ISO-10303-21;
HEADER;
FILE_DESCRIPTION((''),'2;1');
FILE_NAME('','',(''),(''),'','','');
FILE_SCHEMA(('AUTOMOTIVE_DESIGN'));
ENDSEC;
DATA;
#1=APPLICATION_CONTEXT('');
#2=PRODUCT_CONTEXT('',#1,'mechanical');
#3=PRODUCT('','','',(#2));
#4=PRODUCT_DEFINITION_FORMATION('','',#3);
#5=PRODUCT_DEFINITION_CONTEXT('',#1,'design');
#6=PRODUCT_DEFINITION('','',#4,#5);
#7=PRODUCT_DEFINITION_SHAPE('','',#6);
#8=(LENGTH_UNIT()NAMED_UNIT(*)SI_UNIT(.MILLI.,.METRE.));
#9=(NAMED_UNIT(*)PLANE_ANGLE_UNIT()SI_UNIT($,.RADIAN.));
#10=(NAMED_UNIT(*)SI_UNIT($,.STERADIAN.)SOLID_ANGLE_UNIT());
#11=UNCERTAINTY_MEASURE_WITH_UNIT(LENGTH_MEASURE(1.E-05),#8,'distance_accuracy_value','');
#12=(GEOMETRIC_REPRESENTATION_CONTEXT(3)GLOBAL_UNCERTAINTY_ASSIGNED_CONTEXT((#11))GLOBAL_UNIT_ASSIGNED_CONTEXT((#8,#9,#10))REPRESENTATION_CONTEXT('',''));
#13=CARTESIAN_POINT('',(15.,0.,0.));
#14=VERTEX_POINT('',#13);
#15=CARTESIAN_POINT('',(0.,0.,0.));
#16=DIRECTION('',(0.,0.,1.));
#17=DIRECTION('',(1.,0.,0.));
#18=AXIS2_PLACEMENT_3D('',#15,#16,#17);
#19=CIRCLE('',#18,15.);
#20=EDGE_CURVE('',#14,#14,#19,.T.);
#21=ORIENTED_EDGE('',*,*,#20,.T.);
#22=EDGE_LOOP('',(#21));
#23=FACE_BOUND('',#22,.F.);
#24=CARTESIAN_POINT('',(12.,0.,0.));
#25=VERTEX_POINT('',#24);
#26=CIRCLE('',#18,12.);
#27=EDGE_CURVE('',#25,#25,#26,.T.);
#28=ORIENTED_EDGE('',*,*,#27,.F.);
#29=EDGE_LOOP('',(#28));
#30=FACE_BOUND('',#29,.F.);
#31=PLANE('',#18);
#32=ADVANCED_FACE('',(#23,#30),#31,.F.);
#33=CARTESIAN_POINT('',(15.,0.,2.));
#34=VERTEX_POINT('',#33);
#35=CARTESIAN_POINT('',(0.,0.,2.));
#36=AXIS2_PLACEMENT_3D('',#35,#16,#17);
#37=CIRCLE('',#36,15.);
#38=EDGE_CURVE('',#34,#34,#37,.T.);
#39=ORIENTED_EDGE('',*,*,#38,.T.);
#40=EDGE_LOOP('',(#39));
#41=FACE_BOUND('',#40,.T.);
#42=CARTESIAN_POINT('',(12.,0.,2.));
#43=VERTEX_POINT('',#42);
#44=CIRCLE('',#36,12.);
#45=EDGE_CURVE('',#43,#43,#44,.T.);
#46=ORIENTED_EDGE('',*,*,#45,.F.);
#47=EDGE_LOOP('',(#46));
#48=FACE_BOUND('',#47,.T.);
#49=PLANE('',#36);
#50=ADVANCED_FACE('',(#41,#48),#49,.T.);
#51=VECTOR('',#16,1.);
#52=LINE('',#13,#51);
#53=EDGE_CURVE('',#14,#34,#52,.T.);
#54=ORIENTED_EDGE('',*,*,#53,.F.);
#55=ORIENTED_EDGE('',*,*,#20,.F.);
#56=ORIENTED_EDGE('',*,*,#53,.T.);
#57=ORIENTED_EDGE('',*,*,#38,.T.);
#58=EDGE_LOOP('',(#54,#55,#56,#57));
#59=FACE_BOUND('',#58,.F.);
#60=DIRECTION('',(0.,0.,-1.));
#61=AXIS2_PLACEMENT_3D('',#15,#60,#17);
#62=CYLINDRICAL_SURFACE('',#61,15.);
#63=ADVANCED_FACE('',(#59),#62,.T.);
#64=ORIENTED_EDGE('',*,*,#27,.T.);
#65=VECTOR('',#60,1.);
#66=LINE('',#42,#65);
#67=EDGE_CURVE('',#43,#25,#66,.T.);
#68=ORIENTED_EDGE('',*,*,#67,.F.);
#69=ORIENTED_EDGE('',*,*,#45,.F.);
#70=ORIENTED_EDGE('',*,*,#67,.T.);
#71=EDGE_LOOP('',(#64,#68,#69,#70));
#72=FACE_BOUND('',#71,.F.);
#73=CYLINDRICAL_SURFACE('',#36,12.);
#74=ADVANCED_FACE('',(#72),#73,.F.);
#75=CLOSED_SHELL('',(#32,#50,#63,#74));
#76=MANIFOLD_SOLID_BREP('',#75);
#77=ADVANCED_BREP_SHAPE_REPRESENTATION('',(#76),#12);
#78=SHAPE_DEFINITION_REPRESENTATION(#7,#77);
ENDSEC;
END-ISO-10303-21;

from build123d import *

# Parameters (mm, degrees)
ESQUISSE1_R             = 15
BOSS_EXTRU_1_DEPTH      = 2
ESQUISSE2_R             = 12
ENL_V_MAT_EXTRU_1_DEPTH = 3


with BuildPart() as part:
    # Esquisse1 → Boss.-Extru.1 (new body)
    with BuildSketch(Plane.XY):
        Circle(ESQUISSE1_R)
    extrude(amount=BOSS_EXTRU_1_DEPTH)

    # Esquisse2 → Enlèv. mat.-Extru.1 (cut, through all)
    with BuildSketch(Plane.XY.offset(2)):
        Circle(ESQUISSE2_R)
    extrude(amount=-ENL_V_MAT_EXTRU_1_DEPTH, mode=Mode.SUBTRACT)


solid = part.part
